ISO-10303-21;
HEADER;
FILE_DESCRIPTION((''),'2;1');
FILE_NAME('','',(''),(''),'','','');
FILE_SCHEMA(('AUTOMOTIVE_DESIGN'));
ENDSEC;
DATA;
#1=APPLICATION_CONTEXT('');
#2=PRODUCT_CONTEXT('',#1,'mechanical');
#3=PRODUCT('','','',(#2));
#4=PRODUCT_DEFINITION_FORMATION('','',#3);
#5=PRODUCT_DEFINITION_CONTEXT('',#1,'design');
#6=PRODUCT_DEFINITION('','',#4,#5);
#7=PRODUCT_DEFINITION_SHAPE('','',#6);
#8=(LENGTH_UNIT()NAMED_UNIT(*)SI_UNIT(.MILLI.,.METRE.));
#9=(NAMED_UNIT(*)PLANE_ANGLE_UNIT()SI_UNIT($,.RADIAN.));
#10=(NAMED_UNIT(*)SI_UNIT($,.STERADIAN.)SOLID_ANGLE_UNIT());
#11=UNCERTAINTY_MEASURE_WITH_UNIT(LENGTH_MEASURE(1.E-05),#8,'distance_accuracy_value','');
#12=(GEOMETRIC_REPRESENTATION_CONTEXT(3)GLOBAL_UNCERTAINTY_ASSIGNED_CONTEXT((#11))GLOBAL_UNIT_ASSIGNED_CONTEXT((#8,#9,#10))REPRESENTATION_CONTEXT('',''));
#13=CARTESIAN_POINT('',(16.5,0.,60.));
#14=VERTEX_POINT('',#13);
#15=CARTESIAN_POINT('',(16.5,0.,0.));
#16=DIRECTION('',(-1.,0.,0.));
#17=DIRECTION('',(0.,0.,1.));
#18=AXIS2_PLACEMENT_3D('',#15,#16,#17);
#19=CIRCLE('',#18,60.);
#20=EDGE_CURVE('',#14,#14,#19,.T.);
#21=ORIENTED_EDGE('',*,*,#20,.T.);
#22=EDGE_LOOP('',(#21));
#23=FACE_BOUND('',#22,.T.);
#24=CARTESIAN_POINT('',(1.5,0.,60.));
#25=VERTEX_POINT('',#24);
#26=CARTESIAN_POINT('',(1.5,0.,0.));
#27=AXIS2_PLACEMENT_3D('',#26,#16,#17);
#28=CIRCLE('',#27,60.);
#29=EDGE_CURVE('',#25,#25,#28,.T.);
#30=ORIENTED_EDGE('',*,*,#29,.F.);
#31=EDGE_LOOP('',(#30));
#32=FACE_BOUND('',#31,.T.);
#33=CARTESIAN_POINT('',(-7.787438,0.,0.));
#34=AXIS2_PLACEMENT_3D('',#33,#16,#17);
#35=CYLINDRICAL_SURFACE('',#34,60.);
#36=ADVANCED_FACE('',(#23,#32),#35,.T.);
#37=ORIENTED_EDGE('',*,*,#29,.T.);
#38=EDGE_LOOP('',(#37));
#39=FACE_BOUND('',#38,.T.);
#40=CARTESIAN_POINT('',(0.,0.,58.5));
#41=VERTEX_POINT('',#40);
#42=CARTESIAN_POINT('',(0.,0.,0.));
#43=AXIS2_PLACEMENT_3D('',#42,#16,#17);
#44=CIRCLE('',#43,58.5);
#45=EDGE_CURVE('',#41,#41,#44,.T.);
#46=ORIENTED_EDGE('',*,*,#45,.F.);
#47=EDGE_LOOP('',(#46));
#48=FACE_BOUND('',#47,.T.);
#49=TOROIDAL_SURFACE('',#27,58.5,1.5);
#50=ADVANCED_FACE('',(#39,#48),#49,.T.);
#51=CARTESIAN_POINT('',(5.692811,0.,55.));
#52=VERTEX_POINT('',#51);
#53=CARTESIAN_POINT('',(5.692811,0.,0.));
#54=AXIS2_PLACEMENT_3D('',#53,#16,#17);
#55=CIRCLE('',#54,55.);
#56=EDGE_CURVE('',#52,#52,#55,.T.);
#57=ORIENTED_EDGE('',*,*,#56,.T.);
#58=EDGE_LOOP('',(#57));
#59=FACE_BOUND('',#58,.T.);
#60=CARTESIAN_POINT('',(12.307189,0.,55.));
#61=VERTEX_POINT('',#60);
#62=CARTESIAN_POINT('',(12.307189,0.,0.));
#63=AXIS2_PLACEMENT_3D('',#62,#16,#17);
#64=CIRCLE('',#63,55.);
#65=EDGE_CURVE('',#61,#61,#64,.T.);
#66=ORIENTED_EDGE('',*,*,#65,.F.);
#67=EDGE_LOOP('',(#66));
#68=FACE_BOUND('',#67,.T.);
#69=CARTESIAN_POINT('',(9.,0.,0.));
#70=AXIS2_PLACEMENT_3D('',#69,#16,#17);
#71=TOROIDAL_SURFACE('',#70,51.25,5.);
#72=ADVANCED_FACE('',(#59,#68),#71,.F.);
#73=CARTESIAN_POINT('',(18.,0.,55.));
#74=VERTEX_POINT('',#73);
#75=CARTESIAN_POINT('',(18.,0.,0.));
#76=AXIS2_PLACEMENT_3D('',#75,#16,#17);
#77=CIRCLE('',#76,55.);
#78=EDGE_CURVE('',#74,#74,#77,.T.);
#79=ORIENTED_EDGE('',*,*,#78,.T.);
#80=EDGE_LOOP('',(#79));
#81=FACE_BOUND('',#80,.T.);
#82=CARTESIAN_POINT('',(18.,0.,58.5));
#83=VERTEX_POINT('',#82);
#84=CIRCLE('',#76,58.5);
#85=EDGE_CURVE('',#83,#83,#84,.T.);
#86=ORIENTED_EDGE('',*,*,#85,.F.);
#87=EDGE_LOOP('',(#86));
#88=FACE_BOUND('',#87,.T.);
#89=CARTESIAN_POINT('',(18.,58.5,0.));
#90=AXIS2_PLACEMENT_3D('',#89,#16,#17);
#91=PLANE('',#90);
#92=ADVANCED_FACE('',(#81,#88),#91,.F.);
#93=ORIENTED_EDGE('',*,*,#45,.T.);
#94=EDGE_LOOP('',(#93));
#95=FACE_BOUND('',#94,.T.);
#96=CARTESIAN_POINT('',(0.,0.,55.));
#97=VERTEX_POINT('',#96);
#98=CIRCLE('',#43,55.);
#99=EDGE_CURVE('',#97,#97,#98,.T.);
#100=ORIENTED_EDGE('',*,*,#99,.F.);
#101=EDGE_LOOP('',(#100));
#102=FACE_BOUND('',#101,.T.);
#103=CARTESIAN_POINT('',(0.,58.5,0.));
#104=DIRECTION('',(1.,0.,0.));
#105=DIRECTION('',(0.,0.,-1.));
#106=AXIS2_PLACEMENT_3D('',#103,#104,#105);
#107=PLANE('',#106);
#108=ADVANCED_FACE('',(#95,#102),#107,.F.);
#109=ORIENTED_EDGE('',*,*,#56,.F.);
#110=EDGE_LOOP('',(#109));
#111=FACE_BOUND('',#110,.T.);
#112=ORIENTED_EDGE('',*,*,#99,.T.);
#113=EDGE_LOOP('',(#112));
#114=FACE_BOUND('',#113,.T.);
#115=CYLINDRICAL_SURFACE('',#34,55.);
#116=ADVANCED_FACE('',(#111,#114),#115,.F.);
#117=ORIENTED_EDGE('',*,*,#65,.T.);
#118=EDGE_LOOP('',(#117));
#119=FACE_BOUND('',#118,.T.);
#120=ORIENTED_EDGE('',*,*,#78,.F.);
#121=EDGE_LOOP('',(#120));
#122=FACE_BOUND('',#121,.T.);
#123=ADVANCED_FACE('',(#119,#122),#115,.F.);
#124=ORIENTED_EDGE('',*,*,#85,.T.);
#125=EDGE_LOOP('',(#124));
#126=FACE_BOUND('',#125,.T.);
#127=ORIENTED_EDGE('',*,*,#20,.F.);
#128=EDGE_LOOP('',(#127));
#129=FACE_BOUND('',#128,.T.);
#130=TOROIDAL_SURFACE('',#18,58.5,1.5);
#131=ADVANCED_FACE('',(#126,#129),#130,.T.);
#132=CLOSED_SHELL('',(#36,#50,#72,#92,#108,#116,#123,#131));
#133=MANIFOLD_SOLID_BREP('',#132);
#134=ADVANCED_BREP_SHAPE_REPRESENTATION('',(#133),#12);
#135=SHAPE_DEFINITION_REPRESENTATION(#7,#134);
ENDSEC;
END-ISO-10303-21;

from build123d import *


with BuildPart() as part:
    # Esquisse1 → Base-Révolution (revolve)
    with BuildSketch(Plane.XY, mode=Mode.PRIVATE) as base_r_volution_sk:
        with BuildLine():
            Line((1.5, 60), (16.5, 60))
            ThreePointArc((16.5, 60), (17.560660172, 59.560660172), (18, 58.5))
            Line((18, 58.5), (18, 55))
            Line((18, 55), (12.307189139, 55))
            ThreePointArc((12.307189139, 55), (9, 56.25), (5.692810861, 55))
            Line((5.692810861, 55), (0, 55))
            Line((0, 55), (0, 58.5))
            ThreePointArc((0, 58.5), (0.439339828, 59.560660172), (1.5, 60))
        make_face()
    revolve(base_r_volution_sk.sketch.rotate(Axis((-7.787437811, 0, 0), (1, 0, 0)), 90), axis=Axis((-7.787437811, 0, 0), (1, 0, 0)))


solid = part.part
